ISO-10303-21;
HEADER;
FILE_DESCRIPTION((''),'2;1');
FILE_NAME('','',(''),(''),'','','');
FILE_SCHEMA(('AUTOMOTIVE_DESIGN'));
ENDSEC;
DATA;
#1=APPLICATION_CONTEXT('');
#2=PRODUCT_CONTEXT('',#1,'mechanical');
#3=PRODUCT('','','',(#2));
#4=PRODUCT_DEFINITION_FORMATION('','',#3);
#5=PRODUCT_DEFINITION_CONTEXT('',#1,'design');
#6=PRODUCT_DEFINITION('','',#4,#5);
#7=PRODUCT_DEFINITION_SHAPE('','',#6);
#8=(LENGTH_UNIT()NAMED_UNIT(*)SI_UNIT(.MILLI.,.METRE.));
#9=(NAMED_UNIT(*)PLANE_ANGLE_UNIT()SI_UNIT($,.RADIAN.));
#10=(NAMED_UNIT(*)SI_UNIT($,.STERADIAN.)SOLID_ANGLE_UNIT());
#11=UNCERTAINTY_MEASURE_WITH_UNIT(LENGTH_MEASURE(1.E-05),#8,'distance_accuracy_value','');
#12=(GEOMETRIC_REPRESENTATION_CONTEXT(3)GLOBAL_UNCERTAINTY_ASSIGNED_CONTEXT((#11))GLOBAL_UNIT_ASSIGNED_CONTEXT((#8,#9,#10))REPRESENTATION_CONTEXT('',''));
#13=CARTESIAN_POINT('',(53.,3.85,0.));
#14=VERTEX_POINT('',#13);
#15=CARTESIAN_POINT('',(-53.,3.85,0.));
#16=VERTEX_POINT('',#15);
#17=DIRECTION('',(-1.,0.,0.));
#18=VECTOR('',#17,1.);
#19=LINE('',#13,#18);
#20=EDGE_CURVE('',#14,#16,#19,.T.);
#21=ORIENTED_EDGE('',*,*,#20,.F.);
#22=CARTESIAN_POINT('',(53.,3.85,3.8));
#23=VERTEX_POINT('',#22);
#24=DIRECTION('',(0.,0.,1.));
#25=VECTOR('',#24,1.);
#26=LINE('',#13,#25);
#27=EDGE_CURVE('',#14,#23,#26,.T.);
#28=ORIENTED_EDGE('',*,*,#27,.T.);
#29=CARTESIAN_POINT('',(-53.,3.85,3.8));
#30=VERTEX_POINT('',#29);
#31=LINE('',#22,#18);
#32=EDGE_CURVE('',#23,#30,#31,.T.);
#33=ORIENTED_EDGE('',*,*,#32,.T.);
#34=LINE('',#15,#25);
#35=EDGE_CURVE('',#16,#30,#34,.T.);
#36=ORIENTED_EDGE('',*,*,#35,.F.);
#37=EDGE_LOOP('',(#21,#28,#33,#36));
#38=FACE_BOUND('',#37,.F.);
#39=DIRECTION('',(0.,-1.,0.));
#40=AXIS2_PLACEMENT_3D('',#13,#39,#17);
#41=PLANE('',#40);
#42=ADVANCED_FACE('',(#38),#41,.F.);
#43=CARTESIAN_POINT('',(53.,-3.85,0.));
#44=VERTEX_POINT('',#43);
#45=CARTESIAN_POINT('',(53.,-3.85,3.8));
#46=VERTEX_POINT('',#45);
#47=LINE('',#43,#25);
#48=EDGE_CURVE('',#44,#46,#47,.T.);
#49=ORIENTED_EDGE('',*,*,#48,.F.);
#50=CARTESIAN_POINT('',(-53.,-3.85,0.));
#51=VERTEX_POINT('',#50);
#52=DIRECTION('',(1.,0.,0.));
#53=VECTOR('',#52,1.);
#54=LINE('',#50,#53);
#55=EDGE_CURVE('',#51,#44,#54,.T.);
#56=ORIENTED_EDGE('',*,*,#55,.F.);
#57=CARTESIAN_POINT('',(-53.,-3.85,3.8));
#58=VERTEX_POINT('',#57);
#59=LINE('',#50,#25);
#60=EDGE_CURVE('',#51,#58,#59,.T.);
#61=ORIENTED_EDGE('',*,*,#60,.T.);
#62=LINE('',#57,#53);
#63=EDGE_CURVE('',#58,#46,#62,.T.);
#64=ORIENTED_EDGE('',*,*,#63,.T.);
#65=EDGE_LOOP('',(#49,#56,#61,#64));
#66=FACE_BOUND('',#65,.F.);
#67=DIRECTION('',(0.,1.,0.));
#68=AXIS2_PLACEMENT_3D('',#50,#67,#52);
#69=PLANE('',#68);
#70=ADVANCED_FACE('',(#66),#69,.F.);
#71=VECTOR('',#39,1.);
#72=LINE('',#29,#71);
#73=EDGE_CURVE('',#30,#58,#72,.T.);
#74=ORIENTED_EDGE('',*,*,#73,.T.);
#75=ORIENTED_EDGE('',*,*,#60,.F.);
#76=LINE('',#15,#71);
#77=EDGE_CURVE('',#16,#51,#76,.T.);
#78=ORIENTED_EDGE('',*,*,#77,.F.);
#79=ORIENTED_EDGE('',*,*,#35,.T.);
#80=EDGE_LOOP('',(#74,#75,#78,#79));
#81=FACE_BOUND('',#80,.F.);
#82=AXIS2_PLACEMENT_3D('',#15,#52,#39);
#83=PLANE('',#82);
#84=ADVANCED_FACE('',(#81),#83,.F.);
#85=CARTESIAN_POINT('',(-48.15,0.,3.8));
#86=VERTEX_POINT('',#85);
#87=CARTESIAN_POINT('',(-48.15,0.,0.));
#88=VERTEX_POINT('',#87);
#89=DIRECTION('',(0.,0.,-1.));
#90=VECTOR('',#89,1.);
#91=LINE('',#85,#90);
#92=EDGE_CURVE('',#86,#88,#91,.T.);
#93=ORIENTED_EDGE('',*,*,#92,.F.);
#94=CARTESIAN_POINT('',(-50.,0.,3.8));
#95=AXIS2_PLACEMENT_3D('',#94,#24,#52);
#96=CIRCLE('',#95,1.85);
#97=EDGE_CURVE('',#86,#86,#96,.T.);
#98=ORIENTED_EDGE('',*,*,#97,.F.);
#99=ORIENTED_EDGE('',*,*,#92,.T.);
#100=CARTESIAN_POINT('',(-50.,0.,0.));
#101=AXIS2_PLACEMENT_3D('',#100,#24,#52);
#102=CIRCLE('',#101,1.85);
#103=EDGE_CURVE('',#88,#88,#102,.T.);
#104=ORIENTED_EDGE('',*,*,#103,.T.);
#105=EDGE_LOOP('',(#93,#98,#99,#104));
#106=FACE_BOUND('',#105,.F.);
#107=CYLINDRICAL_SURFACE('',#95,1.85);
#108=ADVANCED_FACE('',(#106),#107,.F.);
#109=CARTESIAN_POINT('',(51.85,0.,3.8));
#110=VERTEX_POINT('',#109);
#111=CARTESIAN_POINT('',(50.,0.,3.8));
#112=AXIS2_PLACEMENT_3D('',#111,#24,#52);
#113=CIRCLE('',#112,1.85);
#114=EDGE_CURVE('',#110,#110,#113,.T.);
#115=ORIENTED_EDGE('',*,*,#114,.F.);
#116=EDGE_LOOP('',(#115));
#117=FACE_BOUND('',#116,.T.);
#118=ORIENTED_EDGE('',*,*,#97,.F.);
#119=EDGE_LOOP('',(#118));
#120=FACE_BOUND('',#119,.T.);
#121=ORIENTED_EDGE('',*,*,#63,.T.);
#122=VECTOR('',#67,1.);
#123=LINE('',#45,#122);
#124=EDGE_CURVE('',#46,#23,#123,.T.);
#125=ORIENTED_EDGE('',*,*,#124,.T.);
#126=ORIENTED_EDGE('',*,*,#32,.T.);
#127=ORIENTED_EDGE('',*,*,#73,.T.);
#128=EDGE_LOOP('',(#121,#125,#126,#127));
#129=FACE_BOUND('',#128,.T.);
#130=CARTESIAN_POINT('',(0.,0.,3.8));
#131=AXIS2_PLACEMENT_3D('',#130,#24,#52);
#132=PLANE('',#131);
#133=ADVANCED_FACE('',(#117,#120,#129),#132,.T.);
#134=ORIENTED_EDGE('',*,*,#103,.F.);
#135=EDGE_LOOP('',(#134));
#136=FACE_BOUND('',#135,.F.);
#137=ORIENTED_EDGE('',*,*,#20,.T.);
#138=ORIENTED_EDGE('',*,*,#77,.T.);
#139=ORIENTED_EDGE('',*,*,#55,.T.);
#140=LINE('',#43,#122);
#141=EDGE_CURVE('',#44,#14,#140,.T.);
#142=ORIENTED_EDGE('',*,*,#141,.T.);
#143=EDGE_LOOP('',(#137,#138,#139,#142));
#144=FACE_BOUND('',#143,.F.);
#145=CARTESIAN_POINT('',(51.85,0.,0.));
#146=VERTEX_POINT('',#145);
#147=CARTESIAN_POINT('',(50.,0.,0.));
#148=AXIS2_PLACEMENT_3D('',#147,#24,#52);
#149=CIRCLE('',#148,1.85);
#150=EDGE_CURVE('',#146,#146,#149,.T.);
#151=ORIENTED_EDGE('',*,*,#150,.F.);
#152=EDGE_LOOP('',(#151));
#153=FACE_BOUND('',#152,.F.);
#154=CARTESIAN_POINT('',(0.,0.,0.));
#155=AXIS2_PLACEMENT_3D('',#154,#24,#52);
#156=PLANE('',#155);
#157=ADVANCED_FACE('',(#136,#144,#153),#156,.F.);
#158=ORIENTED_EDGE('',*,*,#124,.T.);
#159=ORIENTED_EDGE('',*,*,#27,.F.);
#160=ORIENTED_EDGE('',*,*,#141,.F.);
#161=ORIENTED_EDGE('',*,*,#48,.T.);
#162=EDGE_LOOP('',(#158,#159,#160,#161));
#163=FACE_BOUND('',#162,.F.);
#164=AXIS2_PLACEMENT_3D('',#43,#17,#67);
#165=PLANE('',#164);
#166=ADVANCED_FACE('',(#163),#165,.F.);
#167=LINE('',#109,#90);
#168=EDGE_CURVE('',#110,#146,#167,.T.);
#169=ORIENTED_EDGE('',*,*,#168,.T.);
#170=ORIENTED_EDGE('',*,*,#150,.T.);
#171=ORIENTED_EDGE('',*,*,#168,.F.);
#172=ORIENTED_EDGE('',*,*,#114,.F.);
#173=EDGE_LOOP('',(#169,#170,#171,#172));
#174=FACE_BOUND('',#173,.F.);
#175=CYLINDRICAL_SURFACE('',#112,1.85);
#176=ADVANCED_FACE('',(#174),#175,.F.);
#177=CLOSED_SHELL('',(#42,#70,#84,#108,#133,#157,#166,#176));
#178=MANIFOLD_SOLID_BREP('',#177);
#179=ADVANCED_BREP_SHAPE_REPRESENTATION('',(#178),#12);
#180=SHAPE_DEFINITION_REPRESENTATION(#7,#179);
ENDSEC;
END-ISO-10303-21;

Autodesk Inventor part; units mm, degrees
ref_plane "YZ Plane" through (0, 0, 0) normal (1, 0, 0) x (0, 1, 0)
ref_plane "XZ Plane" through (0, 0, 0) normal (0, 1, 0) x (-1, 0, 0)
ref_plane "XY Plane" through (0, 0, 0) normal (0, 0, 1) x (1, 0, 0)
sketch "Skizze1" plane through (0, 0, 0) normal (0, 0, 1) x (1, 0, 0)
  line L0 (-53, -3.85) -> (53, -3.85)
  line L1 (53, -3.85) -> (53, 3.85)
  line L2 (53, 3.85) -> (-53, 3.85)
  line L3 (-53, 3.85) -> (-53, -3.85)
  line L4 (-53, -3.85) -> (53, 3.85) construction
  line L5 (53, -3.85) -> (-53, 3.85) construction
  point P0 (0, 0)
  dimension "d0" = 7.7
  dimension "d1" = 106
extrude "Extrusion1" add sketch "Skizze1" along normal blind 3.8
sketch "Skizze2" plane through (0, 0, 3.8) normal (0, 0, 1) x (1, 0, 0)
  line L0 (53, 3.85) -> (-53, 3.85) construction
  line L1 (50, 3.85) -> (50, -3.85) construction
  line L2 (-53, -3.85) -> (53, -3.85) construction
  line L3 (53, -3.85) -> (53, 3.85) construction
  circle A0 centre (50, 0) radius 1.85
  line L4 (0, 3.85) -> (0, -3.85) construction
  circle A1 centre (-50, 0) radius 1.85
  point P0 (0, 0)
  dimension "d4" = 3
  dimension "d5" = 3.7
extrude "Extrusion2" cut sketch "Skizze2" against normal through all
properties part number "3_3D-Druck"
